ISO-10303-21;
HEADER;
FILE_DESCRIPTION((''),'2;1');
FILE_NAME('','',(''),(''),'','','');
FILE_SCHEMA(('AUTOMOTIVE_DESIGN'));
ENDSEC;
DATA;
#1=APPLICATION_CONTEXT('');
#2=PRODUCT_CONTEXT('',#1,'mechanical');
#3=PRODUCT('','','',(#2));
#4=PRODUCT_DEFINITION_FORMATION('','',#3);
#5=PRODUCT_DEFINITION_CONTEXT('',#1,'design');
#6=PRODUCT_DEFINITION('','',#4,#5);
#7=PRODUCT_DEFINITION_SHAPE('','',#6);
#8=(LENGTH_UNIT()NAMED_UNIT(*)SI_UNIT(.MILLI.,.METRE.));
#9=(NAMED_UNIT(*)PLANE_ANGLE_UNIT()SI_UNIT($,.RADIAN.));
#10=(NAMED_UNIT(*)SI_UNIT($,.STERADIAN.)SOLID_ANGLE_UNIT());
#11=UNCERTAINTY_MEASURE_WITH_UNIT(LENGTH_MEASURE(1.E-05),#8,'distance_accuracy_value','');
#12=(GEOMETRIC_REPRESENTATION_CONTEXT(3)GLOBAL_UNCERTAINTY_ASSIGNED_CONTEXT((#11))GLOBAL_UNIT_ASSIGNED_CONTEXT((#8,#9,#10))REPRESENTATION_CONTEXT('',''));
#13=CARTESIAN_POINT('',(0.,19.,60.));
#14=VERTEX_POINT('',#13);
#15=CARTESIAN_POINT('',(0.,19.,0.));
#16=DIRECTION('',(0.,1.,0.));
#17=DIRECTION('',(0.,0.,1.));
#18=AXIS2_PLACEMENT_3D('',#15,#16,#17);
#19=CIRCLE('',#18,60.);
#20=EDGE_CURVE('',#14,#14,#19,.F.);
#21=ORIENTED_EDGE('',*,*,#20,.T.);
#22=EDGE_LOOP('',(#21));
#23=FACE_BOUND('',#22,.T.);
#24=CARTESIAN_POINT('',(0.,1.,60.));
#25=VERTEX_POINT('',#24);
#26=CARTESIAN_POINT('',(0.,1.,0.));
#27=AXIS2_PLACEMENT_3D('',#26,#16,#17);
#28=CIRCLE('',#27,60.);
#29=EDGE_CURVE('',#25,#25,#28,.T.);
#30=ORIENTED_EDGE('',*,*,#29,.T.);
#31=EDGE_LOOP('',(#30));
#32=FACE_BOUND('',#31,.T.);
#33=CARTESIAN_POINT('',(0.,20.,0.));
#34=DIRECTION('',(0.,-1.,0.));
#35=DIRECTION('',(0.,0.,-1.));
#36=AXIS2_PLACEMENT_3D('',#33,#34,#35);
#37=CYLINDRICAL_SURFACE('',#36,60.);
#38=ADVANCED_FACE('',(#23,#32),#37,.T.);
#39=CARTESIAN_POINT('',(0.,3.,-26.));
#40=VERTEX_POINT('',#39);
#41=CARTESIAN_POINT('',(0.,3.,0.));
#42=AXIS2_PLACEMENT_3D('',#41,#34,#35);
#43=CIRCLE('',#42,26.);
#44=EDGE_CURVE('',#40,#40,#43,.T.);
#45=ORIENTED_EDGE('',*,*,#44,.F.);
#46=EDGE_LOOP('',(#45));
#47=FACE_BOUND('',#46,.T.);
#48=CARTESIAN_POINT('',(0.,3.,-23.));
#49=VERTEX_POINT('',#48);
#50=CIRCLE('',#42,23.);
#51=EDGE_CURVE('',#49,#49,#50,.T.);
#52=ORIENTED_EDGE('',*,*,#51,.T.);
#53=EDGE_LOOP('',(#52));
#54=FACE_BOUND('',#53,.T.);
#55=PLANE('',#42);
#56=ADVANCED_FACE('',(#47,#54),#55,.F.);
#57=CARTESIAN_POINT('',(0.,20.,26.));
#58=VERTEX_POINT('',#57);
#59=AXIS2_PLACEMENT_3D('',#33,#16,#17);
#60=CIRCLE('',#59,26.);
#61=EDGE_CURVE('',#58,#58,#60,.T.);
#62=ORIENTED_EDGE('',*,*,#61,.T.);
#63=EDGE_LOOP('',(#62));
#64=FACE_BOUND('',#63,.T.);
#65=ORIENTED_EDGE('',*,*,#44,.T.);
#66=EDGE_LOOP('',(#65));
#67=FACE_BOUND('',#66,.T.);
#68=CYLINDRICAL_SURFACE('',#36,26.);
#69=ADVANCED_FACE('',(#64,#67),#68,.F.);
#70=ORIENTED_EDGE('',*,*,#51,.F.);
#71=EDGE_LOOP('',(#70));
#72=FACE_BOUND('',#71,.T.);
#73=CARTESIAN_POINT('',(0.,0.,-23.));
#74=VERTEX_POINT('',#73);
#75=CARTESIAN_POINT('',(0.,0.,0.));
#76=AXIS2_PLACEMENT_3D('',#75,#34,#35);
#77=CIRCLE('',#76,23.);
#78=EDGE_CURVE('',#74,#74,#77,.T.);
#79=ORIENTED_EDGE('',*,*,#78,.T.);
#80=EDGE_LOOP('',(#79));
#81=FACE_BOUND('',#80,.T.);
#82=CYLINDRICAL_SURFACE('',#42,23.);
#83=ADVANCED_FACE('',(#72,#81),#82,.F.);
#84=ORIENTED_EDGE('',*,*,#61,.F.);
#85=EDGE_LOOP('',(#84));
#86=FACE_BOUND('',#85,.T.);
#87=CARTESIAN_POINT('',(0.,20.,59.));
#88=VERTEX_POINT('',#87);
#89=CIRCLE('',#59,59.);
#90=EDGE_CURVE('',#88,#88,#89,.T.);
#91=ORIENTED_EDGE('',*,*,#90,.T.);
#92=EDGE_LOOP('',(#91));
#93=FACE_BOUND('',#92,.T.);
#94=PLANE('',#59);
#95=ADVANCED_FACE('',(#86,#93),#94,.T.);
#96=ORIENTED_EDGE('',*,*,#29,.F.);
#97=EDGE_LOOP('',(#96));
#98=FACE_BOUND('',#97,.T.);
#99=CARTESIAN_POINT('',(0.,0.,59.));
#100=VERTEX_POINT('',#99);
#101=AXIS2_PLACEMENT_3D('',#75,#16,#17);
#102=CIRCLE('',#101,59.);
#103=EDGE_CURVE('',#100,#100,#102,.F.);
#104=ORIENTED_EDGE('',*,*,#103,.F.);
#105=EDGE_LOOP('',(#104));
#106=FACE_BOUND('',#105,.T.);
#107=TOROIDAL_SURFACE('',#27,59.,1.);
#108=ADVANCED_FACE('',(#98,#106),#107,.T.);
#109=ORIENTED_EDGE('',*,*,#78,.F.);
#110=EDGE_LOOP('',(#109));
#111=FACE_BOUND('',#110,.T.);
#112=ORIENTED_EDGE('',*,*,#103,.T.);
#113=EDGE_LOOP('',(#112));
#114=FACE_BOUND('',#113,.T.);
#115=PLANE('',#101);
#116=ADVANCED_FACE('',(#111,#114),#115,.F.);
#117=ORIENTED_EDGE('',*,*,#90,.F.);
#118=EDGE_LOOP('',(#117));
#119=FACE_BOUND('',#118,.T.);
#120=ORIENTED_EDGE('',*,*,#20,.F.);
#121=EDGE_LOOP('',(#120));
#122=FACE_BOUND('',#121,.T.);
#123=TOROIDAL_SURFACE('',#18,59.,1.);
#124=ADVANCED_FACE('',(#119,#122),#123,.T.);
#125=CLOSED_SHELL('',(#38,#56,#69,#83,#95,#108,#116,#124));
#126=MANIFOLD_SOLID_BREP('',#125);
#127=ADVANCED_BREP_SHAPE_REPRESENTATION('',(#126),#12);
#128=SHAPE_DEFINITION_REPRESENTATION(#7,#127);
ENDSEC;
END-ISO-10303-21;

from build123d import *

# Parameters (mm, degrees)
SKETCH_1_R      = 60
SKETCH_1_R_2    = 26
EXTRUDE_1_DEPTH = 20
FILLET_1_R      = 1
SKETCH_2_R      = 26
SKETCH_2_R_2    = 23
EXTRUDE_2_DEPTH = 3


with BuildPart() as part:
    # 草图1 → 凸台-拉伸1 (new body)
    with BuildSketch(Plane(origin=(0, 0, 0), x_dir=(1, 0, 0), z_dir=(0, 1, 0))):
        Circle(SKETCH_1_R)
        Circle(SKETCH_1_R_2, mode=Mode.SUBTRACT)
    extrude(amount=EXTRUDE_1_DEPTH)

    # 圆角1
    fillet_1_edges = [part.edges().sort_by_distance(p)[0] for p in [
        (-60, 0, 0),
        (-60, 20, 0),
    ]]
    fillet(fillet_1_edges, radius=FILLET_1_R)

    # 草图2 → 凸台-拉伸2 (add)
    with BuildSketch(Plane.XZ):
        Circle(SKETCH_2_R)
        Circle(SKETCH_2_R_2, mode=Mode.SUBTRACT)
    extrude(amount=-EXTRUDE_2_DEPTH)


solid = part.part
